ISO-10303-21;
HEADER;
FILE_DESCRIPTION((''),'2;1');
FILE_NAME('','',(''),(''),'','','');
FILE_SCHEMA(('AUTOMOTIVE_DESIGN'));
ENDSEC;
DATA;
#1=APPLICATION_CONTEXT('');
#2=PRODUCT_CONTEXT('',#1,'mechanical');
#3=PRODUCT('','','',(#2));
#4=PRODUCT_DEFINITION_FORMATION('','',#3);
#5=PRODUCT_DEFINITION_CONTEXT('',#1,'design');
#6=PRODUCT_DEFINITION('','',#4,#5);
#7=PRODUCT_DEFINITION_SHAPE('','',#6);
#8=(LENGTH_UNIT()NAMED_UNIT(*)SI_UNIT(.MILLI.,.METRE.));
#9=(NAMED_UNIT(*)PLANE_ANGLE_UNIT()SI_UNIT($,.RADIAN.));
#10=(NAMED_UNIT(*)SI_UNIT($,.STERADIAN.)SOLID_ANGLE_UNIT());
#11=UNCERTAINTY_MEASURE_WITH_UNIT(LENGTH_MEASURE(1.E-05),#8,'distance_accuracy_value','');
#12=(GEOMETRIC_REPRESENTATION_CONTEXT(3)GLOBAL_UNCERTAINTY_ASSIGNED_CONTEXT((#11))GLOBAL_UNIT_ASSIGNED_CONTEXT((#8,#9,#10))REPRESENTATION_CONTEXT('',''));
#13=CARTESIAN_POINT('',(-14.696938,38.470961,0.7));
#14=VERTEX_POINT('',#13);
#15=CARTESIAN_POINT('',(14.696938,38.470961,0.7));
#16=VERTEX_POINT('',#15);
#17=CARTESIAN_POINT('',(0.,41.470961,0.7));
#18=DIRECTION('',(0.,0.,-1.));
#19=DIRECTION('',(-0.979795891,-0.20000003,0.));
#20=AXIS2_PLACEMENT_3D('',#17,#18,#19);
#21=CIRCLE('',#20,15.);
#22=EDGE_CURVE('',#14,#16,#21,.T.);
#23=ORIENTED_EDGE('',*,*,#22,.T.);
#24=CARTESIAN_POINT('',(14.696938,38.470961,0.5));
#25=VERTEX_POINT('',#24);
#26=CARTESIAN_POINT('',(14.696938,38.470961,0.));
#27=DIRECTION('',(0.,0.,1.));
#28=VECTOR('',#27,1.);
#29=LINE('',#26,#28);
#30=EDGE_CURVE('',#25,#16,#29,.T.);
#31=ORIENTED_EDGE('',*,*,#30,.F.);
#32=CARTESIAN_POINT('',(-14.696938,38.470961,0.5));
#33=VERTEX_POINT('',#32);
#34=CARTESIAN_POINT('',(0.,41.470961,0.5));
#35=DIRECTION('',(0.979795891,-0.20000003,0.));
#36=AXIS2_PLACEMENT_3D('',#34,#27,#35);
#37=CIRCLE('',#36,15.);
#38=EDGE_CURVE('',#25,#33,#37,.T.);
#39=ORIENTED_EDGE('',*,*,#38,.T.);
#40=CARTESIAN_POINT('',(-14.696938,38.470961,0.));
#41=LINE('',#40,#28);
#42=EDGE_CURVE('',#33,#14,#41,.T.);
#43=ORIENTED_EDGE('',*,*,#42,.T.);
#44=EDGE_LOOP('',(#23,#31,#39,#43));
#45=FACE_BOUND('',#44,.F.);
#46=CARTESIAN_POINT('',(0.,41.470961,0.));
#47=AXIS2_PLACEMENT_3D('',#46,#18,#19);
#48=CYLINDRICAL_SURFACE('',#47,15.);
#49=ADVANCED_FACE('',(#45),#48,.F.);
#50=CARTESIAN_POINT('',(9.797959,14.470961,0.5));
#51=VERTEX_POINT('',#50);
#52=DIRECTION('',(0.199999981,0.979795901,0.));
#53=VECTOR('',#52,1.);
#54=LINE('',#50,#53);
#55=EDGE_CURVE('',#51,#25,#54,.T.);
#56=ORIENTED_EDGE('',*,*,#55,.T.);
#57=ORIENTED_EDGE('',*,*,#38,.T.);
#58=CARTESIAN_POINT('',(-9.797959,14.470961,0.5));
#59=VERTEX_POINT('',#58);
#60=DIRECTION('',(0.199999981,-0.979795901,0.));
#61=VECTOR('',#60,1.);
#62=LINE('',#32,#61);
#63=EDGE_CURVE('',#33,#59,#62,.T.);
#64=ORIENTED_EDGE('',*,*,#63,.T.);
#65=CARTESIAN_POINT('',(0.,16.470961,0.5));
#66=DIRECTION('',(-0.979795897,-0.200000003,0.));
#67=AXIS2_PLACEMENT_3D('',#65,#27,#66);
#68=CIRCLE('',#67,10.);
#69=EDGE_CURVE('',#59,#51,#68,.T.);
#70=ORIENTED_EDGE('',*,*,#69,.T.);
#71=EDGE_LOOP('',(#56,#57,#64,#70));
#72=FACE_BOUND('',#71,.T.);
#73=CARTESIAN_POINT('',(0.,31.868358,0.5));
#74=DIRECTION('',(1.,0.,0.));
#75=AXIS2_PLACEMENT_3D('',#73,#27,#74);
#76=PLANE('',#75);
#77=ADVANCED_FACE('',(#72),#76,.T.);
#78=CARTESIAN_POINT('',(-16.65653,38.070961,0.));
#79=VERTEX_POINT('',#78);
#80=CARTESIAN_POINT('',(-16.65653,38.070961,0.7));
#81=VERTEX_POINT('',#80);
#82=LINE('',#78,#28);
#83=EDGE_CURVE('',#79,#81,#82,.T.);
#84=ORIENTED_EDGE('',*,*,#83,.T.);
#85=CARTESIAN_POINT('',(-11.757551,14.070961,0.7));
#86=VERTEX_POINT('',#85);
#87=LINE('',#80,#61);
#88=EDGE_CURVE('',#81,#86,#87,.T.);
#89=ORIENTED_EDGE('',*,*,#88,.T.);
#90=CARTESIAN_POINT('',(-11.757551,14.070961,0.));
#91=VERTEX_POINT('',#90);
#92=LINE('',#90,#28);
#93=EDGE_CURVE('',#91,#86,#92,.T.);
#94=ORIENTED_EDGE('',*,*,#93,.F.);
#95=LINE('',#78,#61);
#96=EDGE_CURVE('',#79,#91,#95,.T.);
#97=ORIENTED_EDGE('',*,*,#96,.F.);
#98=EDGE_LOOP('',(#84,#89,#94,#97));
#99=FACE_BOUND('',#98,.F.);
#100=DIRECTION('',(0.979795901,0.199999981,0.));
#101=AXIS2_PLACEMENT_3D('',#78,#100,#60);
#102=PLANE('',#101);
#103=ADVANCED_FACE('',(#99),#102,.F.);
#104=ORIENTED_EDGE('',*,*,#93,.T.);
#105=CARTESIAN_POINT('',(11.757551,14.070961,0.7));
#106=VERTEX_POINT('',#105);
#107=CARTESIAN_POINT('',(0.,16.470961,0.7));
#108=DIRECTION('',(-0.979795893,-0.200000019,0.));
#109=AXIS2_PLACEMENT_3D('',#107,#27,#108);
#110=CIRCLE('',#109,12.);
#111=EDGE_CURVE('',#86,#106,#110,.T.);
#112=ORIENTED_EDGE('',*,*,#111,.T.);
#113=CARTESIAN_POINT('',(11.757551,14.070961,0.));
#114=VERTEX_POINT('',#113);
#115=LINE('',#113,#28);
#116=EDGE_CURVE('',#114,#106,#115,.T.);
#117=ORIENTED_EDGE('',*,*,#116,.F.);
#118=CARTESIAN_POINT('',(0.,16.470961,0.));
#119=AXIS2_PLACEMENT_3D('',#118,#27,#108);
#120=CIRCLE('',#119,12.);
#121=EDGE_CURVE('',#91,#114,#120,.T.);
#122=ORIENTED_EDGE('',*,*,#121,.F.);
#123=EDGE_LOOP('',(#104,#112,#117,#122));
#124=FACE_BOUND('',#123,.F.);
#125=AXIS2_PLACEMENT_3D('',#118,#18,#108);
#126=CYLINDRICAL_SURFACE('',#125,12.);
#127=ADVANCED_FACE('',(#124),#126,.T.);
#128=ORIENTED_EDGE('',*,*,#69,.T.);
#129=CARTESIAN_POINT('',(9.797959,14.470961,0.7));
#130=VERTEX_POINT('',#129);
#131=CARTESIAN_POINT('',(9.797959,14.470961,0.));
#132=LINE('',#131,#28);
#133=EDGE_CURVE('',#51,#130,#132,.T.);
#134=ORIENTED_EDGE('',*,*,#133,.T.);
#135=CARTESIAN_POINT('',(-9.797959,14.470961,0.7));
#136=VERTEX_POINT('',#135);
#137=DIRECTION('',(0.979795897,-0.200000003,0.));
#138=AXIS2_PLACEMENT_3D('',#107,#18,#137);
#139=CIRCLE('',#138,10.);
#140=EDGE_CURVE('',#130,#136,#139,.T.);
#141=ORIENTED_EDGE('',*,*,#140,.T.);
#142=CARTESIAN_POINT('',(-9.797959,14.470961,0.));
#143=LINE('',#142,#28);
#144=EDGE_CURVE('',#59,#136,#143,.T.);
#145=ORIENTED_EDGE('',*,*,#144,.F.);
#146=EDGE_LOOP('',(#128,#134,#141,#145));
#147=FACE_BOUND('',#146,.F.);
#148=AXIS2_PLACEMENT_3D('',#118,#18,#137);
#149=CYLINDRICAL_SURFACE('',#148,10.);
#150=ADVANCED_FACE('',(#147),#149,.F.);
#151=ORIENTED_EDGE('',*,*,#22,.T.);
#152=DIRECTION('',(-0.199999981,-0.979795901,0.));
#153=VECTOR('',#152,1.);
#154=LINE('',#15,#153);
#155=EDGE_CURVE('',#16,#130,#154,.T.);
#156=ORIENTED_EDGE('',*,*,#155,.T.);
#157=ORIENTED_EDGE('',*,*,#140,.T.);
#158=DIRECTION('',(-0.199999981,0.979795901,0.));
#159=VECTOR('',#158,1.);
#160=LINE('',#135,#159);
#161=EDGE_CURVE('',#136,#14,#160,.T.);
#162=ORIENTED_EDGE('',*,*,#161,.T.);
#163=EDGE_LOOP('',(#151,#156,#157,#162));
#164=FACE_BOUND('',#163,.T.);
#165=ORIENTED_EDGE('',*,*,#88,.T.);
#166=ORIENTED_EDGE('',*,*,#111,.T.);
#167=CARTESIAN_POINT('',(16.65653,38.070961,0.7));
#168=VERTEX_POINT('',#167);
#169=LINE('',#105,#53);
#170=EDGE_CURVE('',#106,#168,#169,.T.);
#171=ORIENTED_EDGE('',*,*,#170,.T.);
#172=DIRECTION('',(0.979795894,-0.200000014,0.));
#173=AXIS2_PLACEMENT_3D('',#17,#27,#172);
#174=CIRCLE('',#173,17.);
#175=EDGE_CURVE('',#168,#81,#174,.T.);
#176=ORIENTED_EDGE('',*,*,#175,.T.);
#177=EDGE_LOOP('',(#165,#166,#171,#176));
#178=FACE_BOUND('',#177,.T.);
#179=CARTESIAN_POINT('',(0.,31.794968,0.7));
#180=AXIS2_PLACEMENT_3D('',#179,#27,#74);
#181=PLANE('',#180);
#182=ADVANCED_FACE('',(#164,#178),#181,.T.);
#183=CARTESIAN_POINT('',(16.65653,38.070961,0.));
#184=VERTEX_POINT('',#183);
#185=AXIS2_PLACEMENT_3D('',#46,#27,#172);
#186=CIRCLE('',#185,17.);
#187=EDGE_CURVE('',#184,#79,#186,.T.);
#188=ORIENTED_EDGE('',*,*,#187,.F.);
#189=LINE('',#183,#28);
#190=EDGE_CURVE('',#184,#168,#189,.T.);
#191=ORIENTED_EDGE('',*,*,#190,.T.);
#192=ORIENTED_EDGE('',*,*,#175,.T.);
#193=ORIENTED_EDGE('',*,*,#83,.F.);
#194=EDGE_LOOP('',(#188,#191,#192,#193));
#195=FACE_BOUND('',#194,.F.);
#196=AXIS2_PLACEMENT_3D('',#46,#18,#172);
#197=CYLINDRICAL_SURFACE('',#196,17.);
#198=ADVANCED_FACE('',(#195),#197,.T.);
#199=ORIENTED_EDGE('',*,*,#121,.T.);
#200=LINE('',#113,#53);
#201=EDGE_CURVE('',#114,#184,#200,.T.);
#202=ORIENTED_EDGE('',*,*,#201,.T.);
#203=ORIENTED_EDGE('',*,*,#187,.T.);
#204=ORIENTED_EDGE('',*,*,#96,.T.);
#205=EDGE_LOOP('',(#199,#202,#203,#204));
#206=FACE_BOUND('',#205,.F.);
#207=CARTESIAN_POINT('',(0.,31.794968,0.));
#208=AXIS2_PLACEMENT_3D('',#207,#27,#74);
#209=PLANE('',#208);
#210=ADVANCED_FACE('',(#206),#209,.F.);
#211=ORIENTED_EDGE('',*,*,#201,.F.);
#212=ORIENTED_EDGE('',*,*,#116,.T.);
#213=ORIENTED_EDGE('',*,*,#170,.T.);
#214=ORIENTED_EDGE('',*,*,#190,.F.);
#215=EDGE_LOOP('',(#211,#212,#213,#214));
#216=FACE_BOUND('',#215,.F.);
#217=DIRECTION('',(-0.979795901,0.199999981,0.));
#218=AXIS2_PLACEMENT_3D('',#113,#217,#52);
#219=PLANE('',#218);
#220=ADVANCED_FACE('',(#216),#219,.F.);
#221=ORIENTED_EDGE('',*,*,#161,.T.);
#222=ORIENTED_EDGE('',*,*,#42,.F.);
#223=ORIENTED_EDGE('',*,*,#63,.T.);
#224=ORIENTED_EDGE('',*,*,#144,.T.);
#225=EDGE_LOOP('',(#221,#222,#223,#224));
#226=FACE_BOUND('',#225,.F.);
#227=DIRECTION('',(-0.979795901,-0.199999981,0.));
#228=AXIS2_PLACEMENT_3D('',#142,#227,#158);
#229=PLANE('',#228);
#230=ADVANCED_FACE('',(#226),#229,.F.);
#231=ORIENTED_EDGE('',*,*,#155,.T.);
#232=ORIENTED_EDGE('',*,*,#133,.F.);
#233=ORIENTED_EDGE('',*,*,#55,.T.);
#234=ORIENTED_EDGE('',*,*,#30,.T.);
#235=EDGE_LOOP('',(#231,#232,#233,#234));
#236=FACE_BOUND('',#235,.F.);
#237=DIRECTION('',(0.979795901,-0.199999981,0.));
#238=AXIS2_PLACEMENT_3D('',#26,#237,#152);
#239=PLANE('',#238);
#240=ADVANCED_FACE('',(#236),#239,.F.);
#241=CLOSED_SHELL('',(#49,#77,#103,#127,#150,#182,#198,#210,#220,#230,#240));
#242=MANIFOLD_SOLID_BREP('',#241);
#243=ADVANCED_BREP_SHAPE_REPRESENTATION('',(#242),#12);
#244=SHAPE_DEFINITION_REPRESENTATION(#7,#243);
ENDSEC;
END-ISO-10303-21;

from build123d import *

# Parameters (mm, degrees)
F1_DEPTH = 0.5
F2_DEPTH = 0.7


with BuildPart() as f1:
    # F0 (on Top) → F1 (new body)
    with BuildSketch(Plane.XY):
        with BuildLine():
            Line((9.797959, 14.470961), (14.696938, 38.470961))
            ThreePointArc((14.696938, 38.470961), (0, 56.470961), (-14.696938, 38.470961))
            Line((-14.696938, 38.470961), (-9.797959, 14.470961))
            ThreePointArc((-9.797959, 14.470961), (0, 6.470961), (9.797959, 14.470961))
        make_face()
    extrude(amount=F1_DEPTH)

    # F0 (on Top) → F2 (join)
    with BuildSketch(Plane.XY):
        with BuildLine():
            ThreePointArc((16.65653, 38.070961), (0, 58.470961), (-16.65653, 38.070961))
            Line((-16.65653, 38.070961), (-11.757551, 14.070961))
            ThreePointArc((-11.757551, 14.070961), (0, 4.470961), (11.757551, 14.070961))
            Line((11.757551, 14.070961), (16.65653, 38.070961))
        make_face()
        with BuildLine():
            ThreePointArc((-14.696938, 38.470961), (0, 56.470961), (14.696938, 38.470961))
            Line((14.696938, 38.470961), (9.797959, 14.470961))
            ThreePointArc((9.797959, 14.470961), (0, 6.470961), (-9.797959, 14.470961))
            Line((-9.797959, 14.470961), (-14.696938, 38.470961))
        make_face(mode=Mode.SUBTRACT)
    extrude(amount=F2_DEPTH)


solid = f1.part
